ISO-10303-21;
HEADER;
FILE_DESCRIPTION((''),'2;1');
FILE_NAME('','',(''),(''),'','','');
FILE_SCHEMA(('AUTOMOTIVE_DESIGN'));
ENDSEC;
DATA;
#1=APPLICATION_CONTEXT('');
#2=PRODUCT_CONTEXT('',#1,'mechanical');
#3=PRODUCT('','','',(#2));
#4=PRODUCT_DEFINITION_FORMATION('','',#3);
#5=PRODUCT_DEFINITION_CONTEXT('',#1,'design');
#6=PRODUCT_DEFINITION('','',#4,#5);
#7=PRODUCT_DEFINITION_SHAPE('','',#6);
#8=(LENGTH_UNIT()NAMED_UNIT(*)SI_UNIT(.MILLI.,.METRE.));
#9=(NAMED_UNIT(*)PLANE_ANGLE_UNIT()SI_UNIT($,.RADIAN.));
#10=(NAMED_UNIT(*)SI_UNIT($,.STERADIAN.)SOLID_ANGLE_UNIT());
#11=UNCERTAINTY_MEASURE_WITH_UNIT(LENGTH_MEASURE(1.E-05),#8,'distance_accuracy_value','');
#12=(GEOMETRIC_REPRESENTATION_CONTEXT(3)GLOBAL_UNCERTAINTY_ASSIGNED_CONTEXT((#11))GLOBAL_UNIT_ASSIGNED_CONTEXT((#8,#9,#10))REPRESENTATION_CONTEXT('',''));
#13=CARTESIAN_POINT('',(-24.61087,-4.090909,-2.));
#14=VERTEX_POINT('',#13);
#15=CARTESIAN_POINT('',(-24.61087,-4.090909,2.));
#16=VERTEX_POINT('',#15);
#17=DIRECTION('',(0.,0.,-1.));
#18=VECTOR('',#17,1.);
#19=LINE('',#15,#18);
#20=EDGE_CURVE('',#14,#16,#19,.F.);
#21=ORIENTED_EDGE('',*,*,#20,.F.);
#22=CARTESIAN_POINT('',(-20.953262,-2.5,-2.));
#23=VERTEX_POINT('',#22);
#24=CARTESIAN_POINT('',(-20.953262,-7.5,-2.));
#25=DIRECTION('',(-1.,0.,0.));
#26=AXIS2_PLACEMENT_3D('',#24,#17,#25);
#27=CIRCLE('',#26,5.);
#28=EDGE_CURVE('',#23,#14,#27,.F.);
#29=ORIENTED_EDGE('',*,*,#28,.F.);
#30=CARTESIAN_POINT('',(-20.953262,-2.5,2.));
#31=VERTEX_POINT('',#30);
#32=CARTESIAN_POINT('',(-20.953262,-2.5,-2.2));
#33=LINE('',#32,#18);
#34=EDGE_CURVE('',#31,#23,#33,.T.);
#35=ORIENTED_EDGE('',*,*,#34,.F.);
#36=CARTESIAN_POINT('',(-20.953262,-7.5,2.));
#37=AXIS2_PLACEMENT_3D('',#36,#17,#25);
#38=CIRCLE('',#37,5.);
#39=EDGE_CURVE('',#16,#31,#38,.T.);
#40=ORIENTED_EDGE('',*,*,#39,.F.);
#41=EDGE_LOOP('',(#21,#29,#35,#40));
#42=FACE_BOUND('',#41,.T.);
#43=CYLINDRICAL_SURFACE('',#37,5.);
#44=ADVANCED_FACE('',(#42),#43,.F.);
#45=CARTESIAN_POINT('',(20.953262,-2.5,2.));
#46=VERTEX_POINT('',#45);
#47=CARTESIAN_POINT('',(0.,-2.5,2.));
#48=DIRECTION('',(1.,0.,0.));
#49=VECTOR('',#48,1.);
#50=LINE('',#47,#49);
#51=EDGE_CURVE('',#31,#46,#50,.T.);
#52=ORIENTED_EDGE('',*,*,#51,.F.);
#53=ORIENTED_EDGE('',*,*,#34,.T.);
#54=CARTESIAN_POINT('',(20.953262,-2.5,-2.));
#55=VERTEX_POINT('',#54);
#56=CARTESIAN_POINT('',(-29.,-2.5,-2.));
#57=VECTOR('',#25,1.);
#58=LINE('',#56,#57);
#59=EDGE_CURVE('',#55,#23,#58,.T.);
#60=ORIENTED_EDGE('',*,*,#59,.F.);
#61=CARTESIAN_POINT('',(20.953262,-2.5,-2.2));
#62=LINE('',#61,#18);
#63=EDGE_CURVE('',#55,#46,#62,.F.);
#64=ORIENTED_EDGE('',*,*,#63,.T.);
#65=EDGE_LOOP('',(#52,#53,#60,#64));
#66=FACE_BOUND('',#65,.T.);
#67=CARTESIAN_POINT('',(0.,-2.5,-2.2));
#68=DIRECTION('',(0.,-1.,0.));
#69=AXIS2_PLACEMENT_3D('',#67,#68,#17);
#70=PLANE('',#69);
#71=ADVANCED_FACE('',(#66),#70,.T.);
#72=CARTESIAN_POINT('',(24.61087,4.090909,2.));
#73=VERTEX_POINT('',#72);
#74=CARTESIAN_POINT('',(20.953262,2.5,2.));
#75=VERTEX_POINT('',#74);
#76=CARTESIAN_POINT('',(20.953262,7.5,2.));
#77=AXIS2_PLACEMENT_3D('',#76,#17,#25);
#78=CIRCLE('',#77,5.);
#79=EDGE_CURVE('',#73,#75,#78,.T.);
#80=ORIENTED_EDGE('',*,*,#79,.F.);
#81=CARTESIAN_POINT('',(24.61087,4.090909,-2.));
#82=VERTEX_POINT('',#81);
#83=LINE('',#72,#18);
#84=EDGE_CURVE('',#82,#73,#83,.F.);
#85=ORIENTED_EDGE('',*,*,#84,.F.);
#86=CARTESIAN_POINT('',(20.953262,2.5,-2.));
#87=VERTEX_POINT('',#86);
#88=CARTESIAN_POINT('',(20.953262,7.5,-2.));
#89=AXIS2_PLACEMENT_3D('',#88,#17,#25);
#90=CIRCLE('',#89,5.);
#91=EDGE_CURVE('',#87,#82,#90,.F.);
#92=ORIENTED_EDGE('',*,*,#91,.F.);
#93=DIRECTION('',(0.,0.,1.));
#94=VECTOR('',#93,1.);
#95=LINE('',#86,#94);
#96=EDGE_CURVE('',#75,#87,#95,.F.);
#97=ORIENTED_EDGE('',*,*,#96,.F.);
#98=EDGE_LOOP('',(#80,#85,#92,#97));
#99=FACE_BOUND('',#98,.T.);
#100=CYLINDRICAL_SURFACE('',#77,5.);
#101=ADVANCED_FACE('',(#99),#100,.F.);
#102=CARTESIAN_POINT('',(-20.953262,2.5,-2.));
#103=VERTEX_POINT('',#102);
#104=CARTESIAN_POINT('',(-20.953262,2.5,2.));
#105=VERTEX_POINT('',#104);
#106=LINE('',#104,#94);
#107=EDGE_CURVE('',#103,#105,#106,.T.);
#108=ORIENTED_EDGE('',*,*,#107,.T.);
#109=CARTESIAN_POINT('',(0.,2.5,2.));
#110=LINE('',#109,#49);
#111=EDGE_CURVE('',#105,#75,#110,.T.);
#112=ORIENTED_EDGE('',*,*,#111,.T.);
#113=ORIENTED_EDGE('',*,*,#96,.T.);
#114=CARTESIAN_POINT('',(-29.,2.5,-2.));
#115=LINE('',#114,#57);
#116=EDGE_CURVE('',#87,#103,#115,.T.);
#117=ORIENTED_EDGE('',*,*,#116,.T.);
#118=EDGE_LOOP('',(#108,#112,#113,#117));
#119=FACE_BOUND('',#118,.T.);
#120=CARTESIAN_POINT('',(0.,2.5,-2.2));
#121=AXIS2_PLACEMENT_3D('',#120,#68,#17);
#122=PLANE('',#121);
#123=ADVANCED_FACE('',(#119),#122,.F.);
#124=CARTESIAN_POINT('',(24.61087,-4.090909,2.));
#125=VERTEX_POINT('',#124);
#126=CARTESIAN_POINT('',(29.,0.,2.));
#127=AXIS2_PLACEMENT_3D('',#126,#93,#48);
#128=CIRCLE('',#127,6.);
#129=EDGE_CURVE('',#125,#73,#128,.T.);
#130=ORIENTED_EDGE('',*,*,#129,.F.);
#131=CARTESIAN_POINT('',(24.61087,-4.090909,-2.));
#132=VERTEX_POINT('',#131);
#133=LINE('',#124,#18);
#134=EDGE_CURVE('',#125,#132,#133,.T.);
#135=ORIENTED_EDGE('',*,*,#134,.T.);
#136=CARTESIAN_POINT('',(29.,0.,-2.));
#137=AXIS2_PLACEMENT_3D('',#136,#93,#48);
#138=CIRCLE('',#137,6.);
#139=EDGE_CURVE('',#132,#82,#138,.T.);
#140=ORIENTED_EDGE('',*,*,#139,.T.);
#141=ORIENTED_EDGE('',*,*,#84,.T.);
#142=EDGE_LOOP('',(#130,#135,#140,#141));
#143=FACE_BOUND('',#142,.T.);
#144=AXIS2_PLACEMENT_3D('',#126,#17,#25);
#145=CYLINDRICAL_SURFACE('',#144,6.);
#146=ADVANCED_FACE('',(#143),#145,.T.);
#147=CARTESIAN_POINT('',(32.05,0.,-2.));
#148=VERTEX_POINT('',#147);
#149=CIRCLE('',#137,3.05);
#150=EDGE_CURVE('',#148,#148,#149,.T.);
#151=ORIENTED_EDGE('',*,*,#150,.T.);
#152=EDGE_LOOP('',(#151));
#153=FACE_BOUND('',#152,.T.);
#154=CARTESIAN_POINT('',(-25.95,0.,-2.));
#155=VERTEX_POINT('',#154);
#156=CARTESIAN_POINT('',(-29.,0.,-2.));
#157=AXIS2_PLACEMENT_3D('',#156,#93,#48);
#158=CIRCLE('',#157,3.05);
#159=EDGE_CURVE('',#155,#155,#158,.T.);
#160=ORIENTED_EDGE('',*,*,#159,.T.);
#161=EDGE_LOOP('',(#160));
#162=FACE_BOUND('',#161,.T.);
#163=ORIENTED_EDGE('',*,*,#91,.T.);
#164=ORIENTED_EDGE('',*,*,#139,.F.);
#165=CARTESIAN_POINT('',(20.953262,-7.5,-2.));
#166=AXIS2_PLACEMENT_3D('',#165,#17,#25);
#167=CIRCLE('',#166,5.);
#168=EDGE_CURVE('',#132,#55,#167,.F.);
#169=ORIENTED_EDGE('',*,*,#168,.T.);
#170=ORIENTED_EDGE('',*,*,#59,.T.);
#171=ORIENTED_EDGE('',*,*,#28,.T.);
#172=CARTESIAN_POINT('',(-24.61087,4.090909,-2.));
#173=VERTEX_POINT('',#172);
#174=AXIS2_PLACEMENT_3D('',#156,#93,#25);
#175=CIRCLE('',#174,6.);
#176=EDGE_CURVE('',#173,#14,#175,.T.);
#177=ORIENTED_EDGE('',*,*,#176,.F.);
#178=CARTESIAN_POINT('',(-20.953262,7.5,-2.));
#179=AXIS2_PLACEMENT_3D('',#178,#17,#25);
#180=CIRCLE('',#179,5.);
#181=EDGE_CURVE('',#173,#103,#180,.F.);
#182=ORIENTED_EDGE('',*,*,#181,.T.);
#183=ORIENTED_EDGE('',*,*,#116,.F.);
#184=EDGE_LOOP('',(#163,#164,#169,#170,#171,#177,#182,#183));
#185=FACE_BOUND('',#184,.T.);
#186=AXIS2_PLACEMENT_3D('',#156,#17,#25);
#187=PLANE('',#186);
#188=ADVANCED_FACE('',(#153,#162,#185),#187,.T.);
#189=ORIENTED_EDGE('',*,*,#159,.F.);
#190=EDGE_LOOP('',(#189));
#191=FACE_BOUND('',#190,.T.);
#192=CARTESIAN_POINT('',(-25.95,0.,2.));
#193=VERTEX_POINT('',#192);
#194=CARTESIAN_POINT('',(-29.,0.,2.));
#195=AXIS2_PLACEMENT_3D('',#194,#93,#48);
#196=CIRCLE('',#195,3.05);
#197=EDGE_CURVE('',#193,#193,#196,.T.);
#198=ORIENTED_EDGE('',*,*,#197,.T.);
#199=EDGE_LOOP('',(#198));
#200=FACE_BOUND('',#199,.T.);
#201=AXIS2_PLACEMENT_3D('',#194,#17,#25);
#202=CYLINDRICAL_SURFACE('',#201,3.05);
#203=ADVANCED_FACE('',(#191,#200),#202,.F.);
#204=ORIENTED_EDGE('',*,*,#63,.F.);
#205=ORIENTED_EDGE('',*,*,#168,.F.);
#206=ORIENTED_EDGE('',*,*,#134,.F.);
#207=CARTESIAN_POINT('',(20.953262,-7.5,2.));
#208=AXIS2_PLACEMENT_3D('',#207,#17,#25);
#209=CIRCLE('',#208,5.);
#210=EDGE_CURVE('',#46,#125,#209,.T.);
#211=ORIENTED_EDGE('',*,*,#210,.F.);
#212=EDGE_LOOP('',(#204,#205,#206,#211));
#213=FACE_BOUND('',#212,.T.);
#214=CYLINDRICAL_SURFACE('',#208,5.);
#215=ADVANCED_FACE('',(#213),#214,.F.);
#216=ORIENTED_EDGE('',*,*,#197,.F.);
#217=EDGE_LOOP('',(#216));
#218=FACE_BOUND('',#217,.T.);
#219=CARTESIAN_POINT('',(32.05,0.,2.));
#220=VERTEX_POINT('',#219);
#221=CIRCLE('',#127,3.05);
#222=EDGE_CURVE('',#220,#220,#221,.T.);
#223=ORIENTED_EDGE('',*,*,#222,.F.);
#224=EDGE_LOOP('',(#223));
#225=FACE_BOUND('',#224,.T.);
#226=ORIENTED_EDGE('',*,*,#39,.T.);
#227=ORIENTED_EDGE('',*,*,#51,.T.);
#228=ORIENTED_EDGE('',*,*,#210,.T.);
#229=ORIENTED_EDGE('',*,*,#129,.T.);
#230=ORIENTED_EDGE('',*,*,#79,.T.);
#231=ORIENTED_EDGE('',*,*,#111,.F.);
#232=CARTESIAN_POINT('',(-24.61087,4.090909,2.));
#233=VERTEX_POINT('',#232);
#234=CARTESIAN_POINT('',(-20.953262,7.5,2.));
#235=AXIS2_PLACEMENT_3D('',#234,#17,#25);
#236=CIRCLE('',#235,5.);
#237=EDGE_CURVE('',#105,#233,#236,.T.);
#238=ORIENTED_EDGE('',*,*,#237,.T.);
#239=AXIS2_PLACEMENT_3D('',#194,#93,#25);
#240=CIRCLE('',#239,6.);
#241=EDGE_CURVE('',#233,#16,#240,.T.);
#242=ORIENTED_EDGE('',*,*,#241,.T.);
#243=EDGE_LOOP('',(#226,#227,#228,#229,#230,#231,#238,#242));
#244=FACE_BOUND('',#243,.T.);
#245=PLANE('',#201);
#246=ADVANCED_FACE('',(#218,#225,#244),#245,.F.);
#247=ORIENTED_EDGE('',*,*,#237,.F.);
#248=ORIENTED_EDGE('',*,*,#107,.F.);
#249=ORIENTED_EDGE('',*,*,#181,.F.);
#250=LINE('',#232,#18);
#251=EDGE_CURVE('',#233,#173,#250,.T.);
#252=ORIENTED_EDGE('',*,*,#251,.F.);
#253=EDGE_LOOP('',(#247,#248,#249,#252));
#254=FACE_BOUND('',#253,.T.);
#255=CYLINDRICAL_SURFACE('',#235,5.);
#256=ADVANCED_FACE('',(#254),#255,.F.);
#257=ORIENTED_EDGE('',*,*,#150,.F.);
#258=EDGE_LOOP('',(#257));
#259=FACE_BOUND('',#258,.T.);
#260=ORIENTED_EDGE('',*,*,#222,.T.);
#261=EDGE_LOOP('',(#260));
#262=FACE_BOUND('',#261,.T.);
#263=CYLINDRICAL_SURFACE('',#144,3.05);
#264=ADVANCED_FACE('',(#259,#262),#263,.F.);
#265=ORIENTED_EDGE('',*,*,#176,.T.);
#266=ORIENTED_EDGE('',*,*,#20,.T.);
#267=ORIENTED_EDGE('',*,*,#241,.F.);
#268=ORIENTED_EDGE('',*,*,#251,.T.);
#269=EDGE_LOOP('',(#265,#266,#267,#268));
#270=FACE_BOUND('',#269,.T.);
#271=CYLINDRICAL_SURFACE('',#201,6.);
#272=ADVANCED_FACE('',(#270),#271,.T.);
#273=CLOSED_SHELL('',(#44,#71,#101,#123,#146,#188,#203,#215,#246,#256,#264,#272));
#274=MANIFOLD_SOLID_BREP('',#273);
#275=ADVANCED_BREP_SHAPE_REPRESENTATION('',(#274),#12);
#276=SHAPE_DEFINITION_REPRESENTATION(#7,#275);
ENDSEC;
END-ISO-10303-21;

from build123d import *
from build123d.topology import SkipClean

# Parameters (mm, degrees)
SKETCH_1_R          = 3.05
EXTRUDE_1_DEPTH     = 2
CUT_EXTRUDE_1_DEPTH = 4.2
FILLET_1_R          = 5


with BuildPart() as part:
    # 草图1 → 凸台-拉伸1 (new, symmetric)
    with BuildSketch(Plane.XY):
        with BuildLine():
            Line((-29, -6), (29, -6))
            ThreePointArc((29, -6), (35, 0), (29, 6))
            Line((29, 6), (-29, 6))
            ThreePointArc((-29, 6), (-35, 0), (-29, -6))
        make_face()
        with Locations((-29, 0)):
            Circle(SKETCH_1_R, mode=Mode.SUBTRACT)
        with Locations((29, 0)):
            Circle(SKETCH_1_R, mode=Mode.SUBTRACT)
    extrude(amount=EXTRUDE_1_DEPTH, both=True)

    # 草图2 → 切除-拉伸1 (cut)
    with SkipClean():  # the faces are left unmerged after this step: merging them gives an invalid solid
        with BuildSketch(Plane.XY.offset(2)):
            with BuildLine():
                Line((23.545643943, -2.5), (-23.545643943, -2.5))
                ThreePointArc((-23.545643943, -2.5), (-25.759629651, -5.049752469), (-29, -6))
                Line((-29, -6), (29, -6))
                ThreePointArc((29, -6), (25.759629651, -5.049752469), (23.545643943, -2.5))
            make_face()
            with BuildLine():
                ThreePointArc((-29, 6), (-25.759629651, 5.049752469), (-23.545643943, 2.5))
                Line((-23.545643943, 2.5), (23.545643943, 2.5))
                ThreePointArc((23.545643943, 2.5), (25.759629651, 5.049752469), (29, 6))
                Line((29, 6), (-29, 6))
            make_face()
        extrude(amount=-CUT_EXTRUDE_1_DEPTH, mode=Mode.SUBTRACT)

    # 圆角1
    fillet_1_edges = [part.edges().sort_by_distance(p)[0] for p in [
        (-23.545643943, -2.5, 0),
        (23.545643943, -2.5, 0),
        (-23.545643943, 2.5, 0),
        (23.545643943, 2.5, 0),
    ]]
    fillet(fillet_1_edges, radius=FILLET_1_R)


solid = part.part
